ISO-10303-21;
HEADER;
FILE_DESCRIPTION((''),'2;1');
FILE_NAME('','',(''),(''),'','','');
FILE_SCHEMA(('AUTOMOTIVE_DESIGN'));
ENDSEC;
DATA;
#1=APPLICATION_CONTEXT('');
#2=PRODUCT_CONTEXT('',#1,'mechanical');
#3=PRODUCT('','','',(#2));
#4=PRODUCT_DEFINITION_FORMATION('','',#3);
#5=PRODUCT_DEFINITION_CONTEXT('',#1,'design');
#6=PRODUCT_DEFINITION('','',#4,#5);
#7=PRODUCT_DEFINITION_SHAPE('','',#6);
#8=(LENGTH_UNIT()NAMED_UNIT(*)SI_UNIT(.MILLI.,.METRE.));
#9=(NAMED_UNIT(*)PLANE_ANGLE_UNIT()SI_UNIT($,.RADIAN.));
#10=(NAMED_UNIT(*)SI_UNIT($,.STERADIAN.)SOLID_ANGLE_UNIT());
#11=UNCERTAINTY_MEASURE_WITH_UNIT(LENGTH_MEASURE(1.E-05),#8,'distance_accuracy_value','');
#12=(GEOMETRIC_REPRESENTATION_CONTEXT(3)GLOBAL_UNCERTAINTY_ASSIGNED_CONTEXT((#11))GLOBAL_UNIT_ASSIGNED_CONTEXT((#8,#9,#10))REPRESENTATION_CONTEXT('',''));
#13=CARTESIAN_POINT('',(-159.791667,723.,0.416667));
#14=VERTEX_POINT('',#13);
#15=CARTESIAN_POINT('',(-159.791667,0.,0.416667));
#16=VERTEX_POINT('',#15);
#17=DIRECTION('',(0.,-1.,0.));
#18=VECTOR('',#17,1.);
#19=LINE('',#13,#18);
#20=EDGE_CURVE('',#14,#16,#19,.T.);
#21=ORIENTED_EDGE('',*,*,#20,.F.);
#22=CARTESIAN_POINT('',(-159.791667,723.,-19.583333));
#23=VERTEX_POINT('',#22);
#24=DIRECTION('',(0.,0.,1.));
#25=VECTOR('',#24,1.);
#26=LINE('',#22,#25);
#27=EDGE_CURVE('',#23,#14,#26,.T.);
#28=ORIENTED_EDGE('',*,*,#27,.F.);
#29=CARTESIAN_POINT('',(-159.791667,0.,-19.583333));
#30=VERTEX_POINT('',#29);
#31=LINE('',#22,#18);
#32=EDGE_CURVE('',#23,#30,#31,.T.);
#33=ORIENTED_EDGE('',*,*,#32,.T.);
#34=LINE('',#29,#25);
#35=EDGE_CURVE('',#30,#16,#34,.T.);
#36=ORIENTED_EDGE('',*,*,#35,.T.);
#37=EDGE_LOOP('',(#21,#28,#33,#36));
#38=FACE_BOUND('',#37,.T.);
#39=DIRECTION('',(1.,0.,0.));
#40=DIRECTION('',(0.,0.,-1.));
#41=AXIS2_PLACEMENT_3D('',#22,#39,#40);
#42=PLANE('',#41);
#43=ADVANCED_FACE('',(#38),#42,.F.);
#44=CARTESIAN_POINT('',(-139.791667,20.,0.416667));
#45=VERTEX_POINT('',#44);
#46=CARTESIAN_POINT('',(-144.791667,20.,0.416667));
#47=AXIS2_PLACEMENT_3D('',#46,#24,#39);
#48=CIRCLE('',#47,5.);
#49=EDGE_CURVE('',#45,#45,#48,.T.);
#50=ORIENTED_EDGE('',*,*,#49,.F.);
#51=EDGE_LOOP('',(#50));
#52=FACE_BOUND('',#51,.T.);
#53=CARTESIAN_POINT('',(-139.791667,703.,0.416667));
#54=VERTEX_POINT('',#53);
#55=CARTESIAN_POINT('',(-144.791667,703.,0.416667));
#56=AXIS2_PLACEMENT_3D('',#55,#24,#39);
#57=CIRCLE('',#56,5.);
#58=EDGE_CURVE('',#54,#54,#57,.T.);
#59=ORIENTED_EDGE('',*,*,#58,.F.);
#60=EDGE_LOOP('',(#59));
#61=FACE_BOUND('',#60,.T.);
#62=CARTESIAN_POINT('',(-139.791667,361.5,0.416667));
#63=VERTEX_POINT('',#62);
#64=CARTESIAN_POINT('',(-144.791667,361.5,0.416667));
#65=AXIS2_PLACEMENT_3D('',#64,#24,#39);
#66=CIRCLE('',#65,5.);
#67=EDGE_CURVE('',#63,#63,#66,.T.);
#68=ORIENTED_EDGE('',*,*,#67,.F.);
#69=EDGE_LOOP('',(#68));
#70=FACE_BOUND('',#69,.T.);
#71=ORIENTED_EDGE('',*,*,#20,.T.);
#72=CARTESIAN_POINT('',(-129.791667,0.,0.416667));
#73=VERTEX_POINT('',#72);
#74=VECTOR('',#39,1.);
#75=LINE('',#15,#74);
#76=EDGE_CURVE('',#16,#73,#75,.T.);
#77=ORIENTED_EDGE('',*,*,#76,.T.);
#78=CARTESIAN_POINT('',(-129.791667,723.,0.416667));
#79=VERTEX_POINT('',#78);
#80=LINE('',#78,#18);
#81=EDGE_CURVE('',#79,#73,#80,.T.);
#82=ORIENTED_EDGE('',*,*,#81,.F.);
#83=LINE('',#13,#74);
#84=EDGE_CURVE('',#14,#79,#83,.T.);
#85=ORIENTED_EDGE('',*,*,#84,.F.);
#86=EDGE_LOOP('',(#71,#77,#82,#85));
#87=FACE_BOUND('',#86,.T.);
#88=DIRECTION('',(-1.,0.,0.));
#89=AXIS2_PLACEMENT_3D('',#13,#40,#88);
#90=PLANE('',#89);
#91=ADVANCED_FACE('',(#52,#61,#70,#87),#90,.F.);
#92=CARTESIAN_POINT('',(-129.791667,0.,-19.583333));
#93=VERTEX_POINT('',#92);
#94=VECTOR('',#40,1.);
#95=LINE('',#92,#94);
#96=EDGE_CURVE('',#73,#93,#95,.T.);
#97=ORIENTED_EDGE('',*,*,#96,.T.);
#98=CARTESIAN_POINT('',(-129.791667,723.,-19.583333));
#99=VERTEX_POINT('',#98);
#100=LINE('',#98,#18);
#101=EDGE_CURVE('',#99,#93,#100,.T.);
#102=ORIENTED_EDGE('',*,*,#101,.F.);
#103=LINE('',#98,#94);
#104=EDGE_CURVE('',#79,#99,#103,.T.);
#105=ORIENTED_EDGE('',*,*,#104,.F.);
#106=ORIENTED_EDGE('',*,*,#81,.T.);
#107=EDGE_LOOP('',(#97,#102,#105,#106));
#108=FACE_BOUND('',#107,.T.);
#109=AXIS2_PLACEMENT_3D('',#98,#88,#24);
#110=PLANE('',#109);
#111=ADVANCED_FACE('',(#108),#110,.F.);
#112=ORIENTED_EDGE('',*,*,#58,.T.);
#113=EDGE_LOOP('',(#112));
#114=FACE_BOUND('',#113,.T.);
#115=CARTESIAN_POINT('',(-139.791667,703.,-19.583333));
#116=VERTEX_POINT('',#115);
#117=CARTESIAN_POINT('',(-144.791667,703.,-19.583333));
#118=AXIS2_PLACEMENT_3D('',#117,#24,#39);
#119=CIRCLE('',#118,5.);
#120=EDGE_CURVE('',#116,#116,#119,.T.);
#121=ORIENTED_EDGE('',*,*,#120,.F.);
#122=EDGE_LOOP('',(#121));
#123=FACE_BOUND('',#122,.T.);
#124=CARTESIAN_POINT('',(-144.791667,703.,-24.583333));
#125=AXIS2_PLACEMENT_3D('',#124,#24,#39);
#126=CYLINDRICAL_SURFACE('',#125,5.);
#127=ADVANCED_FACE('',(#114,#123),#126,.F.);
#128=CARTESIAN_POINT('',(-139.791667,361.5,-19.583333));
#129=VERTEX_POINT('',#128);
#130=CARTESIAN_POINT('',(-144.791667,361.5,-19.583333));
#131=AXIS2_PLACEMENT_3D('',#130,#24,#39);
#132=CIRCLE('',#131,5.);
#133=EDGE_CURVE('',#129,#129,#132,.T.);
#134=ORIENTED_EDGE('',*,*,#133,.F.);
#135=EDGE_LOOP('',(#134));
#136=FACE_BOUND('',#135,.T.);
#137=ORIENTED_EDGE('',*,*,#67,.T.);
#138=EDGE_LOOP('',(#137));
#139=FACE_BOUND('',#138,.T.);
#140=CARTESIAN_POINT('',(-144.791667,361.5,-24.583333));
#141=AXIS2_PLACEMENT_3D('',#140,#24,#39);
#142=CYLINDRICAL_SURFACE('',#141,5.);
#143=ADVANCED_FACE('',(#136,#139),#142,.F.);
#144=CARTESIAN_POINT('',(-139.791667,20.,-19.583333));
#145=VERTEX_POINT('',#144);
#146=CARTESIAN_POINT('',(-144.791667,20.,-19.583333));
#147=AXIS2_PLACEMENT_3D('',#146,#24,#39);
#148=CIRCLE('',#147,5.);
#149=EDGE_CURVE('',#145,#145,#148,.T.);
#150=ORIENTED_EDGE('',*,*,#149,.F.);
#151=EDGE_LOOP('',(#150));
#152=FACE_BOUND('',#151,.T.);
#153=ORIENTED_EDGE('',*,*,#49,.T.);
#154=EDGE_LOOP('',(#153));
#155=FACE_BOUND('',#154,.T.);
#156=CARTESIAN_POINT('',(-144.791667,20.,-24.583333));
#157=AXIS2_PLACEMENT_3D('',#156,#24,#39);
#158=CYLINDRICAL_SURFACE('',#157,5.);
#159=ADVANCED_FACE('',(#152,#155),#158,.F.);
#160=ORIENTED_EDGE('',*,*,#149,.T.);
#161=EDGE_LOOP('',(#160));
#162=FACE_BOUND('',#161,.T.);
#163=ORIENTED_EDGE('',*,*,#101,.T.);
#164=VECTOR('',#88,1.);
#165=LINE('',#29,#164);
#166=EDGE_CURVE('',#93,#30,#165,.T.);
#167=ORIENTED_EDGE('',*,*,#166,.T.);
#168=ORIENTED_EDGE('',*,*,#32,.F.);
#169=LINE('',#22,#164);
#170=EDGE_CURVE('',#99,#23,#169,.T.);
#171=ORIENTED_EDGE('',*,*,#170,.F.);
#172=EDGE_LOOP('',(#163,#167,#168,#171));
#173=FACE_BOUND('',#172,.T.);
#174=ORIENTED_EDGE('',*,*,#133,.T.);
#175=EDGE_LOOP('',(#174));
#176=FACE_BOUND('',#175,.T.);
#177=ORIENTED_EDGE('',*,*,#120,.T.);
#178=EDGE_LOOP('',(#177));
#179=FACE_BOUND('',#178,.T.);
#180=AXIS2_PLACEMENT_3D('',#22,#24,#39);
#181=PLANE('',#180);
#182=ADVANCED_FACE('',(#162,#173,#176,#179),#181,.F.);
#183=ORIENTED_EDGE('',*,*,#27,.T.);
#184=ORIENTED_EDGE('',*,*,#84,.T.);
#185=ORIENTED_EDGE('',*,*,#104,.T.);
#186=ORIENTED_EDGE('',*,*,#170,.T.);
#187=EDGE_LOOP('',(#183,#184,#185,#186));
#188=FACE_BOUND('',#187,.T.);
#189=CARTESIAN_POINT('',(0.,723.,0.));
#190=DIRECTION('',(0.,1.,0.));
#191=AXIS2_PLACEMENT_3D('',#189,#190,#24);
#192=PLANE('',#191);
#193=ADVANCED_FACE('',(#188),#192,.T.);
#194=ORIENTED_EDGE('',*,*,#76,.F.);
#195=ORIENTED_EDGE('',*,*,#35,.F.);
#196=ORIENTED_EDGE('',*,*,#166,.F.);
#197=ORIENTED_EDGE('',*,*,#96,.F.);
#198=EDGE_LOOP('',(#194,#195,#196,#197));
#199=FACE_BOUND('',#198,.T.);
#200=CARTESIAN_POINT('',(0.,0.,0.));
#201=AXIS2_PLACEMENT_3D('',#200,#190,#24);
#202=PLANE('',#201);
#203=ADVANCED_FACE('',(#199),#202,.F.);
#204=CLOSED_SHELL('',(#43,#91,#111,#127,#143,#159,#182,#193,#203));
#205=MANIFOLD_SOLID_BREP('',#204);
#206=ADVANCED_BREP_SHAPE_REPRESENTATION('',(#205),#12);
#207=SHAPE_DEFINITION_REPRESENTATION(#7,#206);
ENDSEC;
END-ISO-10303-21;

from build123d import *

# Parameters (mm, degrees)
SKETCH1_W           = 30
SKETCH1_H           = 20
BOSS_EXTRUDE1_DEPTH = 723
CUT_EXTRUDE1_DEPTH  = 25


with BuildPart() as part:
    # Sketch1 → Boss-Extrude1 (new body)
    with BuildSketch(Plane(origin=(0, 0, 0), x_dir=(1, 0, 0), z_dir=(0, 1, 0))):
        with Locations((-144.791666667, 9.583333333)):
            Rectangle(SKETCH1_W, SKETCH1_H)
    extrude(amount=BOSS_EXTRUDE1_DEPTH)

    # Sketch2 → Cut-Extrude1 (cut)
    with BuildSketch(Plane.XY.offset(0.416666667)):
        with BuildLine():
            ThreePointArc((-139.791666667, 703), (-144.791666667, 708), (-149.791666667, 703))
            Line((-149.791666667, 703), (-139.791666667, 703))
        make_face()
        with BuildLine():
            Line((-139.791666667, 703), (-149.791666667, 703))
            ThreePointArc((-149.791666667, 703), (-144.791666667, 698), (-139.791666667, 703))
        make_face()
        with BuildLine():
            ThreePointArc((-139.791666667, 361.5), (-144.791666667, 366.5), (-149.791666667, 361.5))
            Line((-149.791666667, 361.5), (-139.791666667, 361.5))
        make_face()
        with BuildLine():
            Line((-139.791666667, 361.5), (-149.791666667, 361.5))
            ThreePointArc((-149.791666667, 361.5), (-144.791666667, 356.5), (-139.791666667, 361.5))
        make_face()
        with BuildLine():
            ThreePointArc((-139.791666667, 20), (-144.791666667, 25), (-149.791666667, 20))
            Line((-149.791666667, 20), (-139.791666667, 20))
        make_face()
        with BuildLine():
            Line((-139.791666667, 20), (-149.791666667, 20))
            ThreePointArc((-149.791666667, 20), (-144.791666667, 15), (-139.791666667, 20))
        make_face()
    extrude(amount=-CUT_EXTRUDE1_DEPTH, mode=Mode.SUBTRACT)


solid = part.part
